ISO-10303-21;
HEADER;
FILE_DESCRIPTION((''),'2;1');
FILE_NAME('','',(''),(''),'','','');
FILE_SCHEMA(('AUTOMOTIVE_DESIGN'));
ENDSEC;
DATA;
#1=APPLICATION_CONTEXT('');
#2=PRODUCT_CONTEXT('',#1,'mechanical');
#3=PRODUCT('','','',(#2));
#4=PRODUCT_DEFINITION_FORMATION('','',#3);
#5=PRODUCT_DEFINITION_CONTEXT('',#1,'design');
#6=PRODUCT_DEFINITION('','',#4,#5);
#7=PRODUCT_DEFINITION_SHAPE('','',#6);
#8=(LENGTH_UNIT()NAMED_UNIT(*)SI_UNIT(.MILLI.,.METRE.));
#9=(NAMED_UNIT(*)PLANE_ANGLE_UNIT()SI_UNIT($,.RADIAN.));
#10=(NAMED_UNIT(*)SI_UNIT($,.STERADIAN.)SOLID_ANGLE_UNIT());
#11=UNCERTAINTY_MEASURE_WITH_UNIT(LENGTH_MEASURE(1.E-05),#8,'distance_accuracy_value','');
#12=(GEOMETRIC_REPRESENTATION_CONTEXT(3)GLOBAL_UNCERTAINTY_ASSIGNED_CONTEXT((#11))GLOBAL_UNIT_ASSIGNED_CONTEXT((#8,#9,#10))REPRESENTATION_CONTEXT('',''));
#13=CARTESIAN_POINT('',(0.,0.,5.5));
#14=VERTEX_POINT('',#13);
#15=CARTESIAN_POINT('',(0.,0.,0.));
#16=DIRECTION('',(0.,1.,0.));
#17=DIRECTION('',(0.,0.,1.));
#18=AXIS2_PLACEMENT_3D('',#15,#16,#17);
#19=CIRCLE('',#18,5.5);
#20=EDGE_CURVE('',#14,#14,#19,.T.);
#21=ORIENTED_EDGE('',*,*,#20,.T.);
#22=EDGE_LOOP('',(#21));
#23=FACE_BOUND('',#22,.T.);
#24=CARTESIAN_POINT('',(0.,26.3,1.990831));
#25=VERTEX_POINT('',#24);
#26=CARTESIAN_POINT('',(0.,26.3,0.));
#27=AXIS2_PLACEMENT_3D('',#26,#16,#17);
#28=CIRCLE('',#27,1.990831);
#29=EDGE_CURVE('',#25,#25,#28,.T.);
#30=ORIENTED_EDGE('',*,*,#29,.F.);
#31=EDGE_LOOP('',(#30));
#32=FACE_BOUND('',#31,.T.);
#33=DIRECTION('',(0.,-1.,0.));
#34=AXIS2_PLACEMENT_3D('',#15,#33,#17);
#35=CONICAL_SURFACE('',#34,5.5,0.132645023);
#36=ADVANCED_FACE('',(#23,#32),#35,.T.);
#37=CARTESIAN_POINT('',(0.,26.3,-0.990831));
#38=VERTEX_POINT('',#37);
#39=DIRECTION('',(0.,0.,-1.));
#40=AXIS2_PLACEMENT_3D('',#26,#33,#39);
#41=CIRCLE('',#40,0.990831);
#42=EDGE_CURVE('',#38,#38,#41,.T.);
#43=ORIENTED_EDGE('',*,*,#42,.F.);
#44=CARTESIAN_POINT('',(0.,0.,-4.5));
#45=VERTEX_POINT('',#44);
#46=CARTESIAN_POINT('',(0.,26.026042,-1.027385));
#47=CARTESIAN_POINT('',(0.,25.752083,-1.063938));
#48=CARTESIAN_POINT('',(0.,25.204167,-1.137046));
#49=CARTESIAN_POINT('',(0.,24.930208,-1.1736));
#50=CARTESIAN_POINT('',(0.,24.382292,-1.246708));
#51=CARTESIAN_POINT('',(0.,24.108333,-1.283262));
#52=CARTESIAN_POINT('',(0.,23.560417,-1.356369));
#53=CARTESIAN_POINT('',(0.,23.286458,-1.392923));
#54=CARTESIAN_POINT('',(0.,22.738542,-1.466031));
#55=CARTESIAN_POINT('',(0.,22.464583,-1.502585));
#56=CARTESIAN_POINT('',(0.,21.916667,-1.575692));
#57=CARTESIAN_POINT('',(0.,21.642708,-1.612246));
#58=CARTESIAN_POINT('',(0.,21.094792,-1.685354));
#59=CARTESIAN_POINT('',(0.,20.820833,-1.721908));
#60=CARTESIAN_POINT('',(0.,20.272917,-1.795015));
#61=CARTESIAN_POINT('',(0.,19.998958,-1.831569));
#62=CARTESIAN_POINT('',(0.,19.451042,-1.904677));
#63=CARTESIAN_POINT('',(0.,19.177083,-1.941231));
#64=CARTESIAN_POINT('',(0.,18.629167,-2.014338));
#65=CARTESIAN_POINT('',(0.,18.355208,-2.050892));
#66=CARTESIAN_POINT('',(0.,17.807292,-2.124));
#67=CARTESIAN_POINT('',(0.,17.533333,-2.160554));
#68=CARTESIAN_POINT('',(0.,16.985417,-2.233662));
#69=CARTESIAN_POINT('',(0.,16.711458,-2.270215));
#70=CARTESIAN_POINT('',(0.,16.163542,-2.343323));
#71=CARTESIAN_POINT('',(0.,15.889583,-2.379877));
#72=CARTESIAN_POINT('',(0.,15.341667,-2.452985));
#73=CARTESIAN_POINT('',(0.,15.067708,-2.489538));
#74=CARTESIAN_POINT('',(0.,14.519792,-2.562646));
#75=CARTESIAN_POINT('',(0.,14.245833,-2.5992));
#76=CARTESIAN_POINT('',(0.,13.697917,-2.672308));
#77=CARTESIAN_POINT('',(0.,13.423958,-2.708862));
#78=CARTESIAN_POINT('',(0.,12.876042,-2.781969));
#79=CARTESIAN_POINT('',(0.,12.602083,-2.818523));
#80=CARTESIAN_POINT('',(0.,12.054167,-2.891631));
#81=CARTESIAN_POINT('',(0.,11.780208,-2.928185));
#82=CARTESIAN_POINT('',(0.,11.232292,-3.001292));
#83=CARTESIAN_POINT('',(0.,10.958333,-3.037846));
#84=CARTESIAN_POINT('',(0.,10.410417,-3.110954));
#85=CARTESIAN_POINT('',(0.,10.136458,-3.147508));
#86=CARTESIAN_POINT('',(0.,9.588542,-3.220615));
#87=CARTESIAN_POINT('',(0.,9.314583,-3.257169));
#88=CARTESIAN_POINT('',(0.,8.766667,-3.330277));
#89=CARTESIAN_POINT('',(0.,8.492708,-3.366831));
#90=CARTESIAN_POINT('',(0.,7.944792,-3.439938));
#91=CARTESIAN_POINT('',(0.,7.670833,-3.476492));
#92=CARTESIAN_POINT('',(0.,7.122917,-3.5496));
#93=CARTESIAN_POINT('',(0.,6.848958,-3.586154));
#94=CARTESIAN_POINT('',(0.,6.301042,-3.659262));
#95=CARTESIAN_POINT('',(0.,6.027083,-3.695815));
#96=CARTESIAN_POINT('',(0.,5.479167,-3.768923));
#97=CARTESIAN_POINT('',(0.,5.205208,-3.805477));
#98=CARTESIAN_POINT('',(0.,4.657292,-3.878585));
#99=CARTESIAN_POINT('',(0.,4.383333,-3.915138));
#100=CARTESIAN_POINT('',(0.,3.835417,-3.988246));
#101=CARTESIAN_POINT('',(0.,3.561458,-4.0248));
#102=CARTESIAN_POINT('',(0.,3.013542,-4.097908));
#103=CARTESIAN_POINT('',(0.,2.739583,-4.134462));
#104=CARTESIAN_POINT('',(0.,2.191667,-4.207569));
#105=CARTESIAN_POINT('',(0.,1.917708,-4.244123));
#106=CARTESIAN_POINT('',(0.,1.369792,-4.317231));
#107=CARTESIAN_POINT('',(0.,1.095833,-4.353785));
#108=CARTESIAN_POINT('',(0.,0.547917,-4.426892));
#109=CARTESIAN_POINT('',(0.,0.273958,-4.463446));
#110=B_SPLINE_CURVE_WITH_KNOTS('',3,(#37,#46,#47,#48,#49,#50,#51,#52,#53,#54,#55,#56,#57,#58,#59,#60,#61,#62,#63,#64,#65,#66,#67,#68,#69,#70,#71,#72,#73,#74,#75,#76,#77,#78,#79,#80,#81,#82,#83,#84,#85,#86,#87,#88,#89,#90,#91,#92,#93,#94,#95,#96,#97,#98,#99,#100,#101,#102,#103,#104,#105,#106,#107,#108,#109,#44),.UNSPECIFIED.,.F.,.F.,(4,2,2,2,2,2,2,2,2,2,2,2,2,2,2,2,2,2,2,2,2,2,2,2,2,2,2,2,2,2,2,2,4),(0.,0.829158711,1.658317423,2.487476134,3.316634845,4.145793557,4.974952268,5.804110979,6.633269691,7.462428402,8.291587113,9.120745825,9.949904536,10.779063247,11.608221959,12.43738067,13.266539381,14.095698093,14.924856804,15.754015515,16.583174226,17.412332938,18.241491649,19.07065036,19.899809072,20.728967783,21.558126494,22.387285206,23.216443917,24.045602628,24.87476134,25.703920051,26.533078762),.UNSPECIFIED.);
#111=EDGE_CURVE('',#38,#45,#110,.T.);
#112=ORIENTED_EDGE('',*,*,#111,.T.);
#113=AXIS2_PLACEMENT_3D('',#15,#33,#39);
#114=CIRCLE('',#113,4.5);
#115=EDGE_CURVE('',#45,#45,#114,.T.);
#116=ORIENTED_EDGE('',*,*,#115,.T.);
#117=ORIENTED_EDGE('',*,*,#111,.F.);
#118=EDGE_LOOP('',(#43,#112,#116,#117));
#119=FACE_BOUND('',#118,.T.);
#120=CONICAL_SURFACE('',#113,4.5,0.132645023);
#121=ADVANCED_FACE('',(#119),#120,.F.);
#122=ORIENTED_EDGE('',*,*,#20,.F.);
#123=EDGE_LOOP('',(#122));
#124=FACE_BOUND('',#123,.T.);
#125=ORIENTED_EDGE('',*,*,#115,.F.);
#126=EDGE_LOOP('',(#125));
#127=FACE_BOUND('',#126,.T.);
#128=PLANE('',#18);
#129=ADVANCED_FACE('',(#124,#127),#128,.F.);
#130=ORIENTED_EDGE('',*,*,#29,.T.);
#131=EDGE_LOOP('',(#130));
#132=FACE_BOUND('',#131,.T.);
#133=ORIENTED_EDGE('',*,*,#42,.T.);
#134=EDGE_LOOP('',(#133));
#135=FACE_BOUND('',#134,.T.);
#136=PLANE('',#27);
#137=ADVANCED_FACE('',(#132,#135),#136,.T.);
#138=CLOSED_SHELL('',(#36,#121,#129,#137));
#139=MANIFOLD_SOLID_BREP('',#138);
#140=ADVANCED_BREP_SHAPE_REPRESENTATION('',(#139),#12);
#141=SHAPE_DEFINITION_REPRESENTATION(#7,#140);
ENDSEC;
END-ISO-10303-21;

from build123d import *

# Parameters (mm, degrees)
SKETCH1_R           = 5.5
BOSS_EXTRUDE1_DEPTH = 26.3
BOSS_EXTRUDE1_TAPER = 7.6
SKETCH2_R           = 4.5
CUT_EXTRUDE1_DEPTH  = 26.3
CUT_EXTRUDE1_DRAFT  = -7.6


with BuildPart() as part:
    # Sketch1 → Boss-Extrude1 (new body)
    with BuildSketch(Plane(origin=(0, 0, 0), x_dir=(1, 0, 0), z_dir=(0, 1, 0))):
        Circle(SKETCH1_R)
    extrude(amount=BOSS_EXTRUDE1_DEPTH, taper=BOSS_EXTRUDE1_TAPER)


with BuildPart() as cut_extrude1_tool:
    # Sketch2 → Cut-Extrude1 (with draft: the straight prism first)
    with BuildSketch(Plane.XZ):
        Circle(SKETCH2_R)
    extrude(amount=-CUT_EXTRUDE1_DEPTH)
    # Cut-Extrude1: the draft: its side faces are tilted about the plane it starts from
    cut_extrude1_sides = [cut_extrude1_tool.faces().sort_by_distance(p)[0] for p in [
        (-4.5, 13.15, 0),
    ]]
    draft(cut_extrude1_sides, Plane.XZ, CUT_EXTRUDE1_DRAFT)


with BuildPart() as part_1:
    add(part.part)

    # Cut-Extrude1: cut by cut_extrude1_tool
    add(cut_extrude1_tool.part, mode=Mode.SUBTRACT)


solid = part_1.part
